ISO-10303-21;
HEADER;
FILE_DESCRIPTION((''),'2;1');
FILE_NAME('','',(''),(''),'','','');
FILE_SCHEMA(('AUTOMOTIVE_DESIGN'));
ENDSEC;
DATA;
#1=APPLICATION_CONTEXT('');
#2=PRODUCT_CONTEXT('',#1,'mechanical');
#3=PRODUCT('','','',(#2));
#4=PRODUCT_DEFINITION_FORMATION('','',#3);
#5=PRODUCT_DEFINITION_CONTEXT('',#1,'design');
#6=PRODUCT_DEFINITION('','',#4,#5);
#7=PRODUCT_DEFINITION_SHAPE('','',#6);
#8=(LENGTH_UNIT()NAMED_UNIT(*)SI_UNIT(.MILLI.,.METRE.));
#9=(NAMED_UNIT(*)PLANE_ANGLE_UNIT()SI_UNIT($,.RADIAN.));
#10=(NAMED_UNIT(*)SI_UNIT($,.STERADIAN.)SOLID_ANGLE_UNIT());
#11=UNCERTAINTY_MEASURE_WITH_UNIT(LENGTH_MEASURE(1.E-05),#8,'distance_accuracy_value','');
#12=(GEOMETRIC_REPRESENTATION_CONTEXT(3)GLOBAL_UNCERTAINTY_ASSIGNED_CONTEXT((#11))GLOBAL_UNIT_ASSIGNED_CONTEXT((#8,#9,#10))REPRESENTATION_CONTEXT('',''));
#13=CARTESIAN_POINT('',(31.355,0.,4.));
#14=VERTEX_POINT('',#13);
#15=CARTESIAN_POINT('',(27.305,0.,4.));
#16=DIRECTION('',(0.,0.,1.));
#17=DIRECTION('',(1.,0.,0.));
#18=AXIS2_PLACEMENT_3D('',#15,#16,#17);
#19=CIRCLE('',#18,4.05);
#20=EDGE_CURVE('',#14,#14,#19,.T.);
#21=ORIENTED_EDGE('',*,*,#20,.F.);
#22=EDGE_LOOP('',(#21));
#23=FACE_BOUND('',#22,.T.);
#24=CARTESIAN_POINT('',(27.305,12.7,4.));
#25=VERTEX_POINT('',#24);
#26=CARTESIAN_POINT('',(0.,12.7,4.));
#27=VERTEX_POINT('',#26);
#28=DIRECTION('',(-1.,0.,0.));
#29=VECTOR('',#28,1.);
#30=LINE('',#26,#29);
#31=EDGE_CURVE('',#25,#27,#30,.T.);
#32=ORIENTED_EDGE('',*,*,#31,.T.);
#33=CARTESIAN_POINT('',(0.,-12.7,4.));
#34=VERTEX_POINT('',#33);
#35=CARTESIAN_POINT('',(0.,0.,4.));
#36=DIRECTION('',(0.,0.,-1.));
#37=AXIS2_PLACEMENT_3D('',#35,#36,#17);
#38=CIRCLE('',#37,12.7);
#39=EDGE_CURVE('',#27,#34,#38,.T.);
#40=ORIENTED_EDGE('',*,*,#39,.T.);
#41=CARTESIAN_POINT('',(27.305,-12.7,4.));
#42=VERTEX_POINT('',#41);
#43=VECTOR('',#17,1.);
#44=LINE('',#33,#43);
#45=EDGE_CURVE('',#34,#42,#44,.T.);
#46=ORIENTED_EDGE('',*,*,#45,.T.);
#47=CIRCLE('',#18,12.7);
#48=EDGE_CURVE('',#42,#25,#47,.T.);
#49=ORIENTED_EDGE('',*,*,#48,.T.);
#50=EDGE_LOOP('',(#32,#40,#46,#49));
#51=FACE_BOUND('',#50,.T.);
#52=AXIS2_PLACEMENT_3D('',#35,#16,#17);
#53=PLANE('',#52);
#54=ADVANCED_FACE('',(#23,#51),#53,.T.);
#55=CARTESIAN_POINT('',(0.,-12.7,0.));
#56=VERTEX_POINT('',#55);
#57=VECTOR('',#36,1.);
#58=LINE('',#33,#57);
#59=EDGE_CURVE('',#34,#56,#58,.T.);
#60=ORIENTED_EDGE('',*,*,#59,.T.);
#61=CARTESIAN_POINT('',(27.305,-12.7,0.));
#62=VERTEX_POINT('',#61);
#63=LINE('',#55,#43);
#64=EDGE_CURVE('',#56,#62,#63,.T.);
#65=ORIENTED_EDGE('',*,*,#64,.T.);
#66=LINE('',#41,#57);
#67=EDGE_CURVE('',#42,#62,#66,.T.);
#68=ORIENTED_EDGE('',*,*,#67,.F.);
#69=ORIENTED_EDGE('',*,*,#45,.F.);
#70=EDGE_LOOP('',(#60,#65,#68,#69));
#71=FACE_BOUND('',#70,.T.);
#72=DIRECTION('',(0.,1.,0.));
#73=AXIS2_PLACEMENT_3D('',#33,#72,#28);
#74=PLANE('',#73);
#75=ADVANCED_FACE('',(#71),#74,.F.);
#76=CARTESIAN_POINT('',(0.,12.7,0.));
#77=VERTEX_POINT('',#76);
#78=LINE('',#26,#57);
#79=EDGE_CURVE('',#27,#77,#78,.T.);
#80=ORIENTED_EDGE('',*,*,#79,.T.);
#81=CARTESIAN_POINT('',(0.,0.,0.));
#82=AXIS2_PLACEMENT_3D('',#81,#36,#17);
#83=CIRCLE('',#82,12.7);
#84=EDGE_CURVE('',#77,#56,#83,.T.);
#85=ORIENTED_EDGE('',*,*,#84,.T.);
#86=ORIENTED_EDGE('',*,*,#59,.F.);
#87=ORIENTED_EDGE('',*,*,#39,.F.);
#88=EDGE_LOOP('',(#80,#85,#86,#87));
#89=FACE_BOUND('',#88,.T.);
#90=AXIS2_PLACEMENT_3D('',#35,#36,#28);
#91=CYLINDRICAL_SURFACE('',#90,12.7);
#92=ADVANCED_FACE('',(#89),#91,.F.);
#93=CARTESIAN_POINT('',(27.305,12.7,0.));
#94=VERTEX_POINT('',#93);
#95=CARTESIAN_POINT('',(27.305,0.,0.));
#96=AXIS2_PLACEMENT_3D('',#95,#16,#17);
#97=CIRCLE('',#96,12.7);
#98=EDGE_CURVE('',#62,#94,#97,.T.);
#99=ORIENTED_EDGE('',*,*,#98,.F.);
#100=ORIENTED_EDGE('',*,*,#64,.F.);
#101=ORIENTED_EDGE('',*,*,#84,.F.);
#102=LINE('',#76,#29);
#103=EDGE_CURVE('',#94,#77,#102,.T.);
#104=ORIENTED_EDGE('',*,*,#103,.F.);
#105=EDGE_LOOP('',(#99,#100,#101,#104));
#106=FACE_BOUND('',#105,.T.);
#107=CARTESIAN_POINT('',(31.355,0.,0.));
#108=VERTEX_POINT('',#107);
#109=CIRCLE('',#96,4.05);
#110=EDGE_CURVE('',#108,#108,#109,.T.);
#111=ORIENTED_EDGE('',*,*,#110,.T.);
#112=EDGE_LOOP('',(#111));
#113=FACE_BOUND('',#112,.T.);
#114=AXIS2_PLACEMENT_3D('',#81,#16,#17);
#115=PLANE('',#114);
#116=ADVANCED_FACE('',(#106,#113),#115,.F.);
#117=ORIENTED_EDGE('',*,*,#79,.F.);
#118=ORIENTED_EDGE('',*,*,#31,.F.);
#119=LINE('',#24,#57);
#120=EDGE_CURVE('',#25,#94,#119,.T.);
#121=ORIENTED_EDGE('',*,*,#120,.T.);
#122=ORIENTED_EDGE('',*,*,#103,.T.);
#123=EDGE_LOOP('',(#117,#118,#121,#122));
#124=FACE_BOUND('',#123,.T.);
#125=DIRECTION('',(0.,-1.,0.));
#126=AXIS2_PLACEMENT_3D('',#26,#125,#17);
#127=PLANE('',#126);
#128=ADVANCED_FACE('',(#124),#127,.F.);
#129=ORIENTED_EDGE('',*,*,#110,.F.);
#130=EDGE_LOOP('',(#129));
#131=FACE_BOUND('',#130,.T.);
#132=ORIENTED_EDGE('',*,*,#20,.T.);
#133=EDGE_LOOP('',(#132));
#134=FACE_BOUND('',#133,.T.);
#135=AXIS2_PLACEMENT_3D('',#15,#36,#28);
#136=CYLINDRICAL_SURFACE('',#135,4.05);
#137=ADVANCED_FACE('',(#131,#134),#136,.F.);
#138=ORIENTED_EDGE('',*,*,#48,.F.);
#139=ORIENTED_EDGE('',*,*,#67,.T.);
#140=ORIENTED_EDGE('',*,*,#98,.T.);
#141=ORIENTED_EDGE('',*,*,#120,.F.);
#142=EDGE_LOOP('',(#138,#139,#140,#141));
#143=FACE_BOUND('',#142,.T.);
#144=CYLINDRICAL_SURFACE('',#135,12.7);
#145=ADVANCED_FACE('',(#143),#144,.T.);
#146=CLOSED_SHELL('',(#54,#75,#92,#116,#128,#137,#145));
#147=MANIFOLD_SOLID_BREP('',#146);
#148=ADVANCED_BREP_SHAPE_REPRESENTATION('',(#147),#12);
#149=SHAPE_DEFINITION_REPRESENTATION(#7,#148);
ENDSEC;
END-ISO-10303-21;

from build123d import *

# Parameters (mm, degrees)
SKETCH1_R           = 4.05
BOSS_EXTRUDE1_DEPTH = 4


with BuildPart() as part:
    # Sketch1 → Boss-Extrude1 (new body)
    with BuildSketch(Plane.XY):
        with BuildLine():
            Line((0, 12.7), (27.305, 12.7))
            ThreePointArc((27.305, 12.7), (40.005, 0), (27.305, -12.7))
            Line((27.305, -12.7), (0, -12.7))
            ThreePointArc((0, -12.7), (12.7, 0), (0, 12.7))
        make_face()
        with Locations((27.305, 0)):
            Circle(SKETCH1_R, mode=Mode.SUBTRACT)
    extrude(amount=BOSS_EXTRUDE1_DEPTH)


solid = part.part
